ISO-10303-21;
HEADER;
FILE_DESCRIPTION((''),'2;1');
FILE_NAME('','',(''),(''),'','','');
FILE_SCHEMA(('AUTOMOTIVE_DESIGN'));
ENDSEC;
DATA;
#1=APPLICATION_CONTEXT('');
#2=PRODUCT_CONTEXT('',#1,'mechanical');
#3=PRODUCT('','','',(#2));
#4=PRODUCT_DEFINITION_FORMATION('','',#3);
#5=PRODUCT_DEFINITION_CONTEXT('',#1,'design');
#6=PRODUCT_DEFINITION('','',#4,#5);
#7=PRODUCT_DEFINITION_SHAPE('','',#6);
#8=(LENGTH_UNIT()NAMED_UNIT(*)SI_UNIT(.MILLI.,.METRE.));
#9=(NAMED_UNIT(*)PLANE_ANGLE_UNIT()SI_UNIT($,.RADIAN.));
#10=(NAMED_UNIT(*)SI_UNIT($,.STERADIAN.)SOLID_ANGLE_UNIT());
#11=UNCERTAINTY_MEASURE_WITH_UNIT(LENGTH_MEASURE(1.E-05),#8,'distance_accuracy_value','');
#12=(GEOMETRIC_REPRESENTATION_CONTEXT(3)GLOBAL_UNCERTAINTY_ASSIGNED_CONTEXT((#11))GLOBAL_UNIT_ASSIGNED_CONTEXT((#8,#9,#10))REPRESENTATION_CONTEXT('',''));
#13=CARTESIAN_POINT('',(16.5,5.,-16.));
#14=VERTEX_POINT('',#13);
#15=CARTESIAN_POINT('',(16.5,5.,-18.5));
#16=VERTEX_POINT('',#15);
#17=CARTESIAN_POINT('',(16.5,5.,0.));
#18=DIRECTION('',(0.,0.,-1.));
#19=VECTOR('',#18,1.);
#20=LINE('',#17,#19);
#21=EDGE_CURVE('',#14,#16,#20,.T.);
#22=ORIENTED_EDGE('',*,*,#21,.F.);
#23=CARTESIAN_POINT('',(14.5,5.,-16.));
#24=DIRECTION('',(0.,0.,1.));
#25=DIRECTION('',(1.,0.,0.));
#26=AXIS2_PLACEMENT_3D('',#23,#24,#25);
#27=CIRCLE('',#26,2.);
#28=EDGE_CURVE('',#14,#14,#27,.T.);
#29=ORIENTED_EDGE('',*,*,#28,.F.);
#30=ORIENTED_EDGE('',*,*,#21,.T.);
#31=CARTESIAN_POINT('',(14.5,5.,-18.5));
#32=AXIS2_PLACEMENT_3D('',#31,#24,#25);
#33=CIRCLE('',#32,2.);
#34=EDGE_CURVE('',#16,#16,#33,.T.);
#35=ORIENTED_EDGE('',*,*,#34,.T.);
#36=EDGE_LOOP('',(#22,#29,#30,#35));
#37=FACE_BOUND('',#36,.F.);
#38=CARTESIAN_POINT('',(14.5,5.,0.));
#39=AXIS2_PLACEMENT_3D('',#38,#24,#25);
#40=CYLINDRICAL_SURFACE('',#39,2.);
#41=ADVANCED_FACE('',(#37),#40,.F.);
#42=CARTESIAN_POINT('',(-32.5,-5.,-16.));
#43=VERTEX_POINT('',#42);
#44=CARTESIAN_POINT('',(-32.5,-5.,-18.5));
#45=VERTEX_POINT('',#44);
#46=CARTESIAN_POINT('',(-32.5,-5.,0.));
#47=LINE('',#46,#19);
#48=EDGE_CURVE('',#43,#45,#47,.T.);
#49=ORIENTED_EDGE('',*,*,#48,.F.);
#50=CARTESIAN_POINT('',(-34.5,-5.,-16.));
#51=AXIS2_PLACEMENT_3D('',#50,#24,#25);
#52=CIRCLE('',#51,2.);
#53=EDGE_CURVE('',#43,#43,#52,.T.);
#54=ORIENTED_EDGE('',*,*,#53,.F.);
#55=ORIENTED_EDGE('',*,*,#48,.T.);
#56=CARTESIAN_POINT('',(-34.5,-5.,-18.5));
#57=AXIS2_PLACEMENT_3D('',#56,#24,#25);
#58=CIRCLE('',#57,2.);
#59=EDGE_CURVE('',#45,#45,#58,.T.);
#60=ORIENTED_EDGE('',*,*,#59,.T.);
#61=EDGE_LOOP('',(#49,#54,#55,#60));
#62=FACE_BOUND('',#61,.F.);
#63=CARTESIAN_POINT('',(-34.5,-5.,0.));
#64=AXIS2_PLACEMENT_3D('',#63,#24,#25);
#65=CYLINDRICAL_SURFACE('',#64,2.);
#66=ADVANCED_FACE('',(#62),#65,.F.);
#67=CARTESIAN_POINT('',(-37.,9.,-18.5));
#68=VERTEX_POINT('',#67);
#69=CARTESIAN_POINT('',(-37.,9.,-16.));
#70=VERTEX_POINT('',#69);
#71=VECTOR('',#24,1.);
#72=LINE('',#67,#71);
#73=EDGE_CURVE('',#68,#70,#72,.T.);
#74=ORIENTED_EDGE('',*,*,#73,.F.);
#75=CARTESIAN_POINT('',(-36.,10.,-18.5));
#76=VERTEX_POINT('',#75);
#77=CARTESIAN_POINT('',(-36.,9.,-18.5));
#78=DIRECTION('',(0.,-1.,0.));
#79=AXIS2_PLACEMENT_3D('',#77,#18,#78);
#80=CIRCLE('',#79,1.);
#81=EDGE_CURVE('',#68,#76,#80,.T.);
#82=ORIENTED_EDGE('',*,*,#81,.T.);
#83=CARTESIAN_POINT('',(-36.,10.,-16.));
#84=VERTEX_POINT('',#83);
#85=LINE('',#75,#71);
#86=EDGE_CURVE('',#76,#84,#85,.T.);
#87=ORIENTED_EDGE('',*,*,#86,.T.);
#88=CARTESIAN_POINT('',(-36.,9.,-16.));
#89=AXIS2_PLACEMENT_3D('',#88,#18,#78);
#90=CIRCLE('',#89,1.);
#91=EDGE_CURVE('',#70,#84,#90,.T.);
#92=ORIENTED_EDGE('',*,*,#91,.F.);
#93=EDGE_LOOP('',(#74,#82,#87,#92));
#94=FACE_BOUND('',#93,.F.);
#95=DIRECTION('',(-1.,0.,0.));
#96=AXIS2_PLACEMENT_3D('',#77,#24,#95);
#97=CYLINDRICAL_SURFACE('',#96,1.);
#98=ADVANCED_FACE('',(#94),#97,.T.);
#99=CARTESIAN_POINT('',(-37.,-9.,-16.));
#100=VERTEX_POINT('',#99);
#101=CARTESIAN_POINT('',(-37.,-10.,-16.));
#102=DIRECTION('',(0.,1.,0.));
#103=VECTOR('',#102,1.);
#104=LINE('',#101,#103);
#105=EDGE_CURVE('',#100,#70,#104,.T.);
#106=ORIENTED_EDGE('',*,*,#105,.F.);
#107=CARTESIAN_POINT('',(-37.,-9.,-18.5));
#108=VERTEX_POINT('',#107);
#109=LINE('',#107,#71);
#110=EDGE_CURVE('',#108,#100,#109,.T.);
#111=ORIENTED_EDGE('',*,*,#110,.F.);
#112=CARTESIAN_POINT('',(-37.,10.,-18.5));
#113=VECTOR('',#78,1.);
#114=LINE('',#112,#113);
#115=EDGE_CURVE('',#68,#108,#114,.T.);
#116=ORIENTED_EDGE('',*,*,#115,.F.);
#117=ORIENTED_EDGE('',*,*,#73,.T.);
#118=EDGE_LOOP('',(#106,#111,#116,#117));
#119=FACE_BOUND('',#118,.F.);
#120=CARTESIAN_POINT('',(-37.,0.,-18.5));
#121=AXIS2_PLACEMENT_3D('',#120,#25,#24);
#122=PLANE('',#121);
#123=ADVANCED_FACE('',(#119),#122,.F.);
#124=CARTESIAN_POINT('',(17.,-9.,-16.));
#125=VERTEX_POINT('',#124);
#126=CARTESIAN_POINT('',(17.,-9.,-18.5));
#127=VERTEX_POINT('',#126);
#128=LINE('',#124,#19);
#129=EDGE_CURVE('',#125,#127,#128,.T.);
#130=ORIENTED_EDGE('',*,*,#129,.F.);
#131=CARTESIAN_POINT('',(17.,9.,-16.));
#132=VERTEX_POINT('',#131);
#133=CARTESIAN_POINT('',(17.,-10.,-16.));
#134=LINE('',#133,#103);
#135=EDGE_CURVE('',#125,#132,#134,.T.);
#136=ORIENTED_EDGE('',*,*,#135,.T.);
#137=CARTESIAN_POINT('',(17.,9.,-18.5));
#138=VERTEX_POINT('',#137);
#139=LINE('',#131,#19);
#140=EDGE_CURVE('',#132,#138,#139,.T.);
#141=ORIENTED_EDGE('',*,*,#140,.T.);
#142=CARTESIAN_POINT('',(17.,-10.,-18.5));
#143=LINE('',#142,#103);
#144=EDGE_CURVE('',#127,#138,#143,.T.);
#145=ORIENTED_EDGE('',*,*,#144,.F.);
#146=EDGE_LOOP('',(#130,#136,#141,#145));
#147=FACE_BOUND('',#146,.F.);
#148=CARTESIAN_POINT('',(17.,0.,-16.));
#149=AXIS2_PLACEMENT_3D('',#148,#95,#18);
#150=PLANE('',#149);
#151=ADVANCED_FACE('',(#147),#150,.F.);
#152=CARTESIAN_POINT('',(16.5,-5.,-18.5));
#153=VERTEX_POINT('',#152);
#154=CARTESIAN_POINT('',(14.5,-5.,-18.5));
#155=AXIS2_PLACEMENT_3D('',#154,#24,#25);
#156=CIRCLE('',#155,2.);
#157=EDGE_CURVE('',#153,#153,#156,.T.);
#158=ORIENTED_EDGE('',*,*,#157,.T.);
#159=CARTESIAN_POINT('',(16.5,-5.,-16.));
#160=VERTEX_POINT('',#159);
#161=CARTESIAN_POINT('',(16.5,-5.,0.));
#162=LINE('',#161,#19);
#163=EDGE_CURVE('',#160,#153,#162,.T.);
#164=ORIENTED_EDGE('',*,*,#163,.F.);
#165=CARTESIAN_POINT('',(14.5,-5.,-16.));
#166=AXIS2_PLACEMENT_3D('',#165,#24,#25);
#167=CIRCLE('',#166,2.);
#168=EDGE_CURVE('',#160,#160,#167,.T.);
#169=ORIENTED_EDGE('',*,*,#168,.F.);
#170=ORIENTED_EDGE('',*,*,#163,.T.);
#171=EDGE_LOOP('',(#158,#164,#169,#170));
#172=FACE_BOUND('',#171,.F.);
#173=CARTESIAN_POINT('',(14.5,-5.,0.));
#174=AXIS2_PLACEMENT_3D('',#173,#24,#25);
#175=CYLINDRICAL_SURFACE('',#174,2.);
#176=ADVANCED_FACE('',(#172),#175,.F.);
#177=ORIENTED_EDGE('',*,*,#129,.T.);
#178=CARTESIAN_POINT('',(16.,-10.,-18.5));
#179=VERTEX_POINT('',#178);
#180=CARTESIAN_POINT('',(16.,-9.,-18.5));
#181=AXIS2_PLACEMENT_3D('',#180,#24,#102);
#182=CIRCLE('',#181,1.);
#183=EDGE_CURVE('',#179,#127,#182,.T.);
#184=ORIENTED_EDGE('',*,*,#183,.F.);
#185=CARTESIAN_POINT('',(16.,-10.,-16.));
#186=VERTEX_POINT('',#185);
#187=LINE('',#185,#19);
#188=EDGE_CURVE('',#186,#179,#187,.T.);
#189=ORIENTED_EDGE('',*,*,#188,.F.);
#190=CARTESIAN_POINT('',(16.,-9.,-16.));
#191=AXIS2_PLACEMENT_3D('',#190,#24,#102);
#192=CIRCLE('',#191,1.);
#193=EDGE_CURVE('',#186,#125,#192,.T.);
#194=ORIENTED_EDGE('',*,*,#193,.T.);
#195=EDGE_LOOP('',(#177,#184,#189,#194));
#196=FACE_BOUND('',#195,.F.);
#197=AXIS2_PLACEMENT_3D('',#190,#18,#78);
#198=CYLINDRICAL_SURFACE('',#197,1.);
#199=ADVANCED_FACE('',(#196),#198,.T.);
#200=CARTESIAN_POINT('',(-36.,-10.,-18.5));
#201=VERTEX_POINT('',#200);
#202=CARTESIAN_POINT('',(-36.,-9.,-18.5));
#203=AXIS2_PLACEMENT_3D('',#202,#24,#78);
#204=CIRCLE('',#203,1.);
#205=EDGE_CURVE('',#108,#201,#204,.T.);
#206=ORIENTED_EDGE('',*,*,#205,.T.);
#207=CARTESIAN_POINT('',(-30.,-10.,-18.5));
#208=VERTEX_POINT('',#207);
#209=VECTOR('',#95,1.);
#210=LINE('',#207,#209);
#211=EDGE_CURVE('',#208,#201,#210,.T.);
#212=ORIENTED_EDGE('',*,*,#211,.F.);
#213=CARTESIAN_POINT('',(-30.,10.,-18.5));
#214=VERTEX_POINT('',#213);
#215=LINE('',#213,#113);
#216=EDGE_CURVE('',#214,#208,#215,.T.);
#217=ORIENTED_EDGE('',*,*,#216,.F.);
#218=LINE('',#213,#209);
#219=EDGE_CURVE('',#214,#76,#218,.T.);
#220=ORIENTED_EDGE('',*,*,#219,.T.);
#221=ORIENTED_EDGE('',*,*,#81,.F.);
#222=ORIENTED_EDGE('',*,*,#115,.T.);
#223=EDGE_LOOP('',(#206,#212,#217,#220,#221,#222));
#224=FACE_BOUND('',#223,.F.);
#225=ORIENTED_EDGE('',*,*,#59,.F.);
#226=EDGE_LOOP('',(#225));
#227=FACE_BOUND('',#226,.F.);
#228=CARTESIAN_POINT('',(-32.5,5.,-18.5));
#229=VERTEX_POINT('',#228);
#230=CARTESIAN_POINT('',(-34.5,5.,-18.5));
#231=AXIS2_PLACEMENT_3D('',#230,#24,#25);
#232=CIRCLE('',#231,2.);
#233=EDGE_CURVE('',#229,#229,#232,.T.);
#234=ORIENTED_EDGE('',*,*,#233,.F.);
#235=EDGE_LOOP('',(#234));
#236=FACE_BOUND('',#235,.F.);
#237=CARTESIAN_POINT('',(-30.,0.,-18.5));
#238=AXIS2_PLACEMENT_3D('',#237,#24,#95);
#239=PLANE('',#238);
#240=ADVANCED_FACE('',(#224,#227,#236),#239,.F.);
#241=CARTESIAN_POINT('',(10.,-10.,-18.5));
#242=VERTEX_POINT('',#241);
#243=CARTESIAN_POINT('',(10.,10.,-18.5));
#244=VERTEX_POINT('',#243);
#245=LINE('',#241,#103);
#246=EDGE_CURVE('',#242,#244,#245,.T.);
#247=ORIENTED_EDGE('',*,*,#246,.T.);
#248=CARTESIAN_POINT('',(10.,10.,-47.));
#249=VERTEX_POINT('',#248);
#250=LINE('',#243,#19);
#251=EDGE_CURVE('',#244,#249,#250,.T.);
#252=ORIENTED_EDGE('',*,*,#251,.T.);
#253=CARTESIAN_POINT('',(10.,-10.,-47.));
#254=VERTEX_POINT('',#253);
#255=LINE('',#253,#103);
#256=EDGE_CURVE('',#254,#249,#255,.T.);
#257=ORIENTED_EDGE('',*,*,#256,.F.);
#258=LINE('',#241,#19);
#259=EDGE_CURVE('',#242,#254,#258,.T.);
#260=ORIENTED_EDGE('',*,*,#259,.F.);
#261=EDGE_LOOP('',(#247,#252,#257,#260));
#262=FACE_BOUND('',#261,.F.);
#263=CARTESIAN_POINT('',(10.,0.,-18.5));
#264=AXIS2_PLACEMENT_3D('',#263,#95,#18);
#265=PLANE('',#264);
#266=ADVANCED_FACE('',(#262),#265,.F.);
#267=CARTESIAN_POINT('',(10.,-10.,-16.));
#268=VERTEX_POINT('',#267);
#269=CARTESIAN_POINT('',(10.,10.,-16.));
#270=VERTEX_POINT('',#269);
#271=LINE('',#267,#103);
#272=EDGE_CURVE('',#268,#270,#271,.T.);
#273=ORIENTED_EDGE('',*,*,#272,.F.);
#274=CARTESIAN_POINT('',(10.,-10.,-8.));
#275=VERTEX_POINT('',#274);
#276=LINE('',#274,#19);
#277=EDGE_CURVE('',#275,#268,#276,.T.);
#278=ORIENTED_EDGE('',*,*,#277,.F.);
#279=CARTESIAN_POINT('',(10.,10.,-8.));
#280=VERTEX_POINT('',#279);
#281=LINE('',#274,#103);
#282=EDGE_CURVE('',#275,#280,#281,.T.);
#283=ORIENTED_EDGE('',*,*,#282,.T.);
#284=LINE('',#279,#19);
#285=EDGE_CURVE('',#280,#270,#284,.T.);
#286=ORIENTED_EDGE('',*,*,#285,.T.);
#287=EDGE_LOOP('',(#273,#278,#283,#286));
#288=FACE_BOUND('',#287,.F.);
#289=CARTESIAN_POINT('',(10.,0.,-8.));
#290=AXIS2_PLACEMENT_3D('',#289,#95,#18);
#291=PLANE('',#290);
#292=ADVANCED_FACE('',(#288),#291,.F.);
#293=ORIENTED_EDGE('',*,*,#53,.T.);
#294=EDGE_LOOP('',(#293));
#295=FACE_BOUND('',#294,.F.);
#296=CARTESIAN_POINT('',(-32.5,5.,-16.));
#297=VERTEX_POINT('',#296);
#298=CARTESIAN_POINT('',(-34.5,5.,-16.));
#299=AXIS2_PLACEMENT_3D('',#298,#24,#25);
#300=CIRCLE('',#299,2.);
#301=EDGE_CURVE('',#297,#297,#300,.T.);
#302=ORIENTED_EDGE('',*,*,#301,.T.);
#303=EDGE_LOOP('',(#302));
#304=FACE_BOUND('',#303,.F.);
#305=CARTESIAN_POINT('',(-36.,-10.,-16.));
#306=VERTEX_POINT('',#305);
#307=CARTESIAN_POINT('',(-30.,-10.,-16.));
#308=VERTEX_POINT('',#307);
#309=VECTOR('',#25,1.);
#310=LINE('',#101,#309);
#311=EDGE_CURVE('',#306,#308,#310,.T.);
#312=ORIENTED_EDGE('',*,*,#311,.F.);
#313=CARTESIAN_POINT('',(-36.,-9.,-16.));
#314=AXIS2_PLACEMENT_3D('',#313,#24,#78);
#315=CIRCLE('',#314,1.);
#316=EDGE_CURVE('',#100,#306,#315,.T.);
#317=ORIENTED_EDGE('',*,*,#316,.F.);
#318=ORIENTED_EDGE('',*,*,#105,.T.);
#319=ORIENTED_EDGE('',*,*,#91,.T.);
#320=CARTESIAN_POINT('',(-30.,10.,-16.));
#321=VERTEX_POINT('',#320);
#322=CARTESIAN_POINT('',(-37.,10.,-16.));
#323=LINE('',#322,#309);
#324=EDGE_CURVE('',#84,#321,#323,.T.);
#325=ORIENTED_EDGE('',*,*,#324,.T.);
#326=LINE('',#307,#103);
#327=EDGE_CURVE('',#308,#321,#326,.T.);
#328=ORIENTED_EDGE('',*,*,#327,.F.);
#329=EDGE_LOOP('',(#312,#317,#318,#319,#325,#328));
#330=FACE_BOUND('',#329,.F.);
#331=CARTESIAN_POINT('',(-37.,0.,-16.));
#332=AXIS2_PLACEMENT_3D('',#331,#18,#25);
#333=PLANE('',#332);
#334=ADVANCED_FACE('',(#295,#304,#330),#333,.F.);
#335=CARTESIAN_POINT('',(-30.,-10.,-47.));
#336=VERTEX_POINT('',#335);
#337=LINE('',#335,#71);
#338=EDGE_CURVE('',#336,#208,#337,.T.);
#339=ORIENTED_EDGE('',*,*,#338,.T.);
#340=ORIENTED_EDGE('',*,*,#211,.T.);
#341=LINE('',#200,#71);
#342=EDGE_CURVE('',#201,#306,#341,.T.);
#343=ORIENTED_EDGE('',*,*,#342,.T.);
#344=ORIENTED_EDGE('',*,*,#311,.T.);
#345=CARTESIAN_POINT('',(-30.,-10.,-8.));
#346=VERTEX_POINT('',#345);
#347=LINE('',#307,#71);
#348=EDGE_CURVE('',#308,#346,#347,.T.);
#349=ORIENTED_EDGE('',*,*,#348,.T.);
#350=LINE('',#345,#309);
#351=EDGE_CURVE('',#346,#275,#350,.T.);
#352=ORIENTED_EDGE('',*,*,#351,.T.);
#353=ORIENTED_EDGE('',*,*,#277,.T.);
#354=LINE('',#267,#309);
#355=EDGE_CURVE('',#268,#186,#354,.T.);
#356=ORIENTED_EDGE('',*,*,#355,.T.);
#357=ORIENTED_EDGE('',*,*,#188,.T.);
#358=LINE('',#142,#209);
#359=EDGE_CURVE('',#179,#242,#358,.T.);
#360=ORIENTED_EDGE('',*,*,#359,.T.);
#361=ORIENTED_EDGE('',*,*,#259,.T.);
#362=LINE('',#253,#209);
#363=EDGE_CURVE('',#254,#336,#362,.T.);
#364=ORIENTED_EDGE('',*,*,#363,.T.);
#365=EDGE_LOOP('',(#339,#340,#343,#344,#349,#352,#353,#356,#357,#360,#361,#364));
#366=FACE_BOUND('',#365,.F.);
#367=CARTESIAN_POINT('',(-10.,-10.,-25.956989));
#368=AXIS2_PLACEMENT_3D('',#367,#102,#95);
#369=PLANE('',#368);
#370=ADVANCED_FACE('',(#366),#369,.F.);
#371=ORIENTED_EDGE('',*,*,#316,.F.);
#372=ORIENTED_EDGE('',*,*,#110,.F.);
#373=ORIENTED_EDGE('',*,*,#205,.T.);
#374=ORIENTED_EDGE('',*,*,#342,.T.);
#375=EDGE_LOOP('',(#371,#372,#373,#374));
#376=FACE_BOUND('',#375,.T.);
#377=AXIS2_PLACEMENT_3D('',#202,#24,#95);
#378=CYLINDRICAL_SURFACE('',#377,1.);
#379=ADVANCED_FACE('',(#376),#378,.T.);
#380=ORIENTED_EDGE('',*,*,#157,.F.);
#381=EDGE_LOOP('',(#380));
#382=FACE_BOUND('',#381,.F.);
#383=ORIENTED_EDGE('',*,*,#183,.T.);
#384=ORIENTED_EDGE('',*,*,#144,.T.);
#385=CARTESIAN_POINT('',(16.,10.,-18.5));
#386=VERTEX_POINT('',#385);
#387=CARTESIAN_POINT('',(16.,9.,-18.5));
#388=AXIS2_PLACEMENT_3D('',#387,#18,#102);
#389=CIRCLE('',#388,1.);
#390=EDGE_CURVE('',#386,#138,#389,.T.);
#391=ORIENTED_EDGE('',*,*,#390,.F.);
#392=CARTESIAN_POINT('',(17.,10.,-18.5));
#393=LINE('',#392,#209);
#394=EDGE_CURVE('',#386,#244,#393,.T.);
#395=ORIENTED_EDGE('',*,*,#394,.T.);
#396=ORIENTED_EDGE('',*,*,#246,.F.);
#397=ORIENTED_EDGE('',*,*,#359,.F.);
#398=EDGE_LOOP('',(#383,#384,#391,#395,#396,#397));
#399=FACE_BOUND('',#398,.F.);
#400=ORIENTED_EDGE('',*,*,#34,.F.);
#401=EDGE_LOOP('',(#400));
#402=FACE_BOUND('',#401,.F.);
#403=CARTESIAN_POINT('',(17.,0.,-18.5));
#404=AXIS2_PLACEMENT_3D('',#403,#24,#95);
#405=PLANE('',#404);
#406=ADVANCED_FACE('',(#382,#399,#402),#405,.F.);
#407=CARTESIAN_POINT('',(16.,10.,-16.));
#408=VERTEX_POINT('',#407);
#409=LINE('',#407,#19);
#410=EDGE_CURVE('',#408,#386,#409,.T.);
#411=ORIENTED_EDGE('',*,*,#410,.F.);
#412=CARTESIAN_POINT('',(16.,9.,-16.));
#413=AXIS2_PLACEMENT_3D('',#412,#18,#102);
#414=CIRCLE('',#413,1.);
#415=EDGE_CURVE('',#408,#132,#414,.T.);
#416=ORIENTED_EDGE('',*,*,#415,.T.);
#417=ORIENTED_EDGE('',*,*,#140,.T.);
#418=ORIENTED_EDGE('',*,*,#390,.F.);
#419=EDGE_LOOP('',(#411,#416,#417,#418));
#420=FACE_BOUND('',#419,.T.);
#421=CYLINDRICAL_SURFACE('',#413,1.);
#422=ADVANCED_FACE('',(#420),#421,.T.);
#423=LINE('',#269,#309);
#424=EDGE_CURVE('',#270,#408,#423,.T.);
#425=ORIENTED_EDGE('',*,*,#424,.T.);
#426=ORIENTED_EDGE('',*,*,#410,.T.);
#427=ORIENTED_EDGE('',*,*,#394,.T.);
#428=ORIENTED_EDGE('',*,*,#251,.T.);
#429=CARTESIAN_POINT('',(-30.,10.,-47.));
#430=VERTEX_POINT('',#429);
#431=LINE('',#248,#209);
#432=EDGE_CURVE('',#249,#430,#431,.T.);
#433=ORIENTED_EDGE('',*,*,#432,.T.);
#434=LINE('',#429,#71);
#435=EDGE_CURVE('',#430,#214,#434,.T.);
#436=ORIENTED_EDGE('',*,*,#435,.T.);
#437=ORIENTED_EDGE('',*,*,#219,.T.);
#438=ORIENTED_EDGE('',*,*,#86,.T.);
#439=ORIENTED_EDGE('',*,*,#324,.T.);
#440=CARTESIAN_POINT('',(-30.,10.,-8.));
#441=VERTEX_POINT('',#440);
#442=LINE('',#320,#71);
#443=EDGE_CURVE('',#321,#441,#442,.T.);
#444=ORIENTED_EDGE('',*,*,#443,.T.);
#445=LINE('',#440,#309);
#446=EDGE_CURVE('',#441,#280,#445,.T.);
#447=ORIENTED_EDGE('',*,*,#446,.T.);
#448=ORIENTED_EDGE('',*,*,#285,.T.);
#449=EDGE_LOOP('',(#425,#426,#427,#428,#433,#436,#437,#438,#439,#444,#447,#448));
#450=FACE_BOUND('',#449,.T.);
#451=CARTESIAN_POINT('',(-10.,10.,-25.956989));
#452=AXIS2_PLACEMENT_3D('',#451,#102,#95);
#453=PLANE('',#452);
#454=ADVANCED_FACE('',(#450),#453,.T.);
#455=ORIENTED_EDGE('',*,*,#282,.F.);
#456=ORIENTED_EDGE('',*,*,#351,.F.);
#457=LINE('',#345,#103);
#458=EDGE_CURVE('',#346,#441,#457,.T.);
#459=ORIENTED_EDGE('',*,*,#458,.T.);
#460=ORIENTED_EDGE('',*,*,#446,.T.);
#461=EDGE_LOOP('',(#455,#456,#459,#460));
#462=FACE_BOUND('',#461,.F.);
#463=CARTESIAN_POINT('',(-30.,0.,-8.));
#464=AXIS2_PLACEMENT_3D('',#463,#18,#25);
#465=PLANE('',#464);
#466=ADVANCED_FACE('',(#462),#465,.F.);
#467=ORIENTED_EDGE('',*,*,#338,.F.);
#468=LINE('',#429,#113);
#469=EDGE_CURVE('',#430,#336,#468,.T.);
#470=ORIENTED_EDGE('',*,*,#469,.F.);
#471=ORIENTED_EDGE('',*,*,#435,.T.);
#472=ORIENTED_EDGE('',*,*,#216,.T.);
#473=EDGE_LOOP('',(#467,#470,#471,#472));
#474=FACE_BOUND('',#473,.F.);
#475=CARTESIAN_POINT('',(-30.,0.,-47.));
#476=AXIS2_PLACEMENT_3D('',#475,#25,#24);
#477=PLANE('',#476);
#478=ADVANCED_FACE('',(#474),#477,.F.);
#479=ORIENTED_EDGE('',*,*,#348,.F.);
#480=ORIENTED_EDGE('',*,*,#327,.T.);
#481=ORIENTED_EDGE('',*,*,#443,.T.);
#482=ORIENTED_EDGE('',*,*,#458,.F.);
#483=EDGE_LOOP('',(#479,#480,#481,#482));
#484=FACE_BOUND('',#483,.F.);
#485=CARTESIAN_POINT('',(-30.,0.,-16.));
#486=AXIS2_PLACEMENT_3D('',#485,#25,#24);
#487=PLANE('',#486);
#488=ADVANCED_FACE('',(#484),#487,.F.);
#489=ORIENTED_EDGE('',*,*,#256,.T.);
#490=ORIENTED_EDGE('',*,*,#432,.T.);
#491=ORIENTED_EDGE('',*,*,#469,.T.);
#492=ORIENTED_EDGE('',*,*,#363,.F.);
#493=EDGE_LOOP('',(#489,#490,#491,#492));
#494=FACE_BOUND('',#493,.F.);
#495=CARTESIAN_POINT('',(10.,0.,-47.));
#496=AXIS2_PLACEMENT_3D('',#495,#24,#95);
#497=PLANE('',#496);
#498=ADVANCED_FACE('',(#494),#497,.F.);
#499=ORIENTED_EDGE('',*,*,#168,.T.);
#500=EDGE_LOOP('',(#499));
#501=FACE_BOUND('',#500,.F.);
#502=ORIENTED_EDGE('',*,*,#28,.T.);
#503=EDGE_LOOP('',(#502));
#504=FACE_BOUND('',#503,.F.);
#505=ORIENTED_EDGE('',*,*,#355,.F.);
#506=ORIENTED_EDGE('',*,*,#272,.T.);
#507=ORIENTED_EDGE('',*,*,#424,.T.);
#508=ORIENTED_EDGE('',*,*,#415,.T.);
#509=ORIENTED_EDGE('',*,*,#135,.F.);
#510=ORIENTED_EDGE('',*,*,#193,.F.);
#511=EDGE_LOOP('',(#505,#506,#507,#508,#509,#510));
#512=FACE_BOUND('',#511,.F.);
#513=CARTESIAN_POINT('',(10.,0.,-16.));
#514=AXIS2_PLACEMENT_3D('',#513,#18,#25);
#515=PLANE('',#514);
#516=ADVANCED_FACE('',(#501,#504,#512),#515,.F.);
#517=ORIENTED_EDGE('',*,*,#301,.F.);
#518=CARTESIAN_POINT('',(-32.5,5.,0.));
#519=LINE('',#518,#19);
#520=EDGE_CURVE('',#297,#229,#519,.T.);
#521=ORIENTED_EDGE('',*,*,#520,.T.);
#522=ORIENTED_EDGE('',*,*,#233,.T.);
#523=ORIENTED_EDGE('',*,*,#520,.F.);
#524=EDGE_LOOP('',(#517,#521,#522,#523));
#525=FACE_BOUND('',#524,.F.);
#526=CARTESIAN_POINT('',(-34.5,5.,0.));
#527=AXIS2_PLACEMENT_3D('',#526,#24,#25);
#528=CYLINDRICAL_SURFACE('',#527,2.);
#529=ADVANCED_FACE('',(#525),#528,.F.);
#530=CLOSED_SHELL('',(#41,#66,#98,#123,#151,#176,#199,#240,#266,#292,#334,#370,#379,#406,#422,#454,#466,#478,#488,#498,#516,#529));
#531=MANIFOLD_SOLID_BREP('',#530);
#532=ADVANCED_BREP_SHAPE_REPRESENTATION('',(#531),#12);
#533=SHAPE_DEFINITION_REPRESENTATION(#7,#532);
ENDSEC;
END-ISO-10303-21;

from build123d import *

# Parameters (mm, degrees)
PAD050_DEPTH    = 10
SKETCH087_R     = 2
POCKET033_DEPTH = 47.001
FILLET024_R     = 1


with BuildPart() as part:
    # Sketch086 → Pad050 (new body, symmetric)
    with BuildSketch(Plane.XZ):
        Polygon((-37, -18.5), (-37, -16), (-30, -16), (-30, -8), (10, -8), (10, -16), (17, -16), (17, -18.5), (10, -18.5), (10, -47), (-30, -47), (-30, -18.5), align=None)
    extrude(amount=PAD050_DEPTH, both=True)

    # Sketch087 → Pocket033 (cut, through all)
    with BuildSketch(Plane.XY):
        with Locations((14.5, 5)):
            Circle(SKETCH087_R)
        with Locations((14.5, -5)):
            Circle(SKETCH087_R)
        with Locations((-34.5, 5)):
            Circle(SKETCH087_R)
        with Locations((-34.5, -5)):
            Circle(SKETCH087_R)
    extrude(amount=-POCKET033_DEPTH, mode=Mode.SUBTRACT)

    # Fillet024
    fillet024_edges = [part.edges().sort_by_distance(p)[0] for p in [
        (17, -10, -17.25),
        (17, 10, -17.25),
        (-37, -10, -17.25),
        (-37, 10, -17.25),
    ]]
    fillet(fillet024_edges, radius=FILLET024_R)


solid = part.part
